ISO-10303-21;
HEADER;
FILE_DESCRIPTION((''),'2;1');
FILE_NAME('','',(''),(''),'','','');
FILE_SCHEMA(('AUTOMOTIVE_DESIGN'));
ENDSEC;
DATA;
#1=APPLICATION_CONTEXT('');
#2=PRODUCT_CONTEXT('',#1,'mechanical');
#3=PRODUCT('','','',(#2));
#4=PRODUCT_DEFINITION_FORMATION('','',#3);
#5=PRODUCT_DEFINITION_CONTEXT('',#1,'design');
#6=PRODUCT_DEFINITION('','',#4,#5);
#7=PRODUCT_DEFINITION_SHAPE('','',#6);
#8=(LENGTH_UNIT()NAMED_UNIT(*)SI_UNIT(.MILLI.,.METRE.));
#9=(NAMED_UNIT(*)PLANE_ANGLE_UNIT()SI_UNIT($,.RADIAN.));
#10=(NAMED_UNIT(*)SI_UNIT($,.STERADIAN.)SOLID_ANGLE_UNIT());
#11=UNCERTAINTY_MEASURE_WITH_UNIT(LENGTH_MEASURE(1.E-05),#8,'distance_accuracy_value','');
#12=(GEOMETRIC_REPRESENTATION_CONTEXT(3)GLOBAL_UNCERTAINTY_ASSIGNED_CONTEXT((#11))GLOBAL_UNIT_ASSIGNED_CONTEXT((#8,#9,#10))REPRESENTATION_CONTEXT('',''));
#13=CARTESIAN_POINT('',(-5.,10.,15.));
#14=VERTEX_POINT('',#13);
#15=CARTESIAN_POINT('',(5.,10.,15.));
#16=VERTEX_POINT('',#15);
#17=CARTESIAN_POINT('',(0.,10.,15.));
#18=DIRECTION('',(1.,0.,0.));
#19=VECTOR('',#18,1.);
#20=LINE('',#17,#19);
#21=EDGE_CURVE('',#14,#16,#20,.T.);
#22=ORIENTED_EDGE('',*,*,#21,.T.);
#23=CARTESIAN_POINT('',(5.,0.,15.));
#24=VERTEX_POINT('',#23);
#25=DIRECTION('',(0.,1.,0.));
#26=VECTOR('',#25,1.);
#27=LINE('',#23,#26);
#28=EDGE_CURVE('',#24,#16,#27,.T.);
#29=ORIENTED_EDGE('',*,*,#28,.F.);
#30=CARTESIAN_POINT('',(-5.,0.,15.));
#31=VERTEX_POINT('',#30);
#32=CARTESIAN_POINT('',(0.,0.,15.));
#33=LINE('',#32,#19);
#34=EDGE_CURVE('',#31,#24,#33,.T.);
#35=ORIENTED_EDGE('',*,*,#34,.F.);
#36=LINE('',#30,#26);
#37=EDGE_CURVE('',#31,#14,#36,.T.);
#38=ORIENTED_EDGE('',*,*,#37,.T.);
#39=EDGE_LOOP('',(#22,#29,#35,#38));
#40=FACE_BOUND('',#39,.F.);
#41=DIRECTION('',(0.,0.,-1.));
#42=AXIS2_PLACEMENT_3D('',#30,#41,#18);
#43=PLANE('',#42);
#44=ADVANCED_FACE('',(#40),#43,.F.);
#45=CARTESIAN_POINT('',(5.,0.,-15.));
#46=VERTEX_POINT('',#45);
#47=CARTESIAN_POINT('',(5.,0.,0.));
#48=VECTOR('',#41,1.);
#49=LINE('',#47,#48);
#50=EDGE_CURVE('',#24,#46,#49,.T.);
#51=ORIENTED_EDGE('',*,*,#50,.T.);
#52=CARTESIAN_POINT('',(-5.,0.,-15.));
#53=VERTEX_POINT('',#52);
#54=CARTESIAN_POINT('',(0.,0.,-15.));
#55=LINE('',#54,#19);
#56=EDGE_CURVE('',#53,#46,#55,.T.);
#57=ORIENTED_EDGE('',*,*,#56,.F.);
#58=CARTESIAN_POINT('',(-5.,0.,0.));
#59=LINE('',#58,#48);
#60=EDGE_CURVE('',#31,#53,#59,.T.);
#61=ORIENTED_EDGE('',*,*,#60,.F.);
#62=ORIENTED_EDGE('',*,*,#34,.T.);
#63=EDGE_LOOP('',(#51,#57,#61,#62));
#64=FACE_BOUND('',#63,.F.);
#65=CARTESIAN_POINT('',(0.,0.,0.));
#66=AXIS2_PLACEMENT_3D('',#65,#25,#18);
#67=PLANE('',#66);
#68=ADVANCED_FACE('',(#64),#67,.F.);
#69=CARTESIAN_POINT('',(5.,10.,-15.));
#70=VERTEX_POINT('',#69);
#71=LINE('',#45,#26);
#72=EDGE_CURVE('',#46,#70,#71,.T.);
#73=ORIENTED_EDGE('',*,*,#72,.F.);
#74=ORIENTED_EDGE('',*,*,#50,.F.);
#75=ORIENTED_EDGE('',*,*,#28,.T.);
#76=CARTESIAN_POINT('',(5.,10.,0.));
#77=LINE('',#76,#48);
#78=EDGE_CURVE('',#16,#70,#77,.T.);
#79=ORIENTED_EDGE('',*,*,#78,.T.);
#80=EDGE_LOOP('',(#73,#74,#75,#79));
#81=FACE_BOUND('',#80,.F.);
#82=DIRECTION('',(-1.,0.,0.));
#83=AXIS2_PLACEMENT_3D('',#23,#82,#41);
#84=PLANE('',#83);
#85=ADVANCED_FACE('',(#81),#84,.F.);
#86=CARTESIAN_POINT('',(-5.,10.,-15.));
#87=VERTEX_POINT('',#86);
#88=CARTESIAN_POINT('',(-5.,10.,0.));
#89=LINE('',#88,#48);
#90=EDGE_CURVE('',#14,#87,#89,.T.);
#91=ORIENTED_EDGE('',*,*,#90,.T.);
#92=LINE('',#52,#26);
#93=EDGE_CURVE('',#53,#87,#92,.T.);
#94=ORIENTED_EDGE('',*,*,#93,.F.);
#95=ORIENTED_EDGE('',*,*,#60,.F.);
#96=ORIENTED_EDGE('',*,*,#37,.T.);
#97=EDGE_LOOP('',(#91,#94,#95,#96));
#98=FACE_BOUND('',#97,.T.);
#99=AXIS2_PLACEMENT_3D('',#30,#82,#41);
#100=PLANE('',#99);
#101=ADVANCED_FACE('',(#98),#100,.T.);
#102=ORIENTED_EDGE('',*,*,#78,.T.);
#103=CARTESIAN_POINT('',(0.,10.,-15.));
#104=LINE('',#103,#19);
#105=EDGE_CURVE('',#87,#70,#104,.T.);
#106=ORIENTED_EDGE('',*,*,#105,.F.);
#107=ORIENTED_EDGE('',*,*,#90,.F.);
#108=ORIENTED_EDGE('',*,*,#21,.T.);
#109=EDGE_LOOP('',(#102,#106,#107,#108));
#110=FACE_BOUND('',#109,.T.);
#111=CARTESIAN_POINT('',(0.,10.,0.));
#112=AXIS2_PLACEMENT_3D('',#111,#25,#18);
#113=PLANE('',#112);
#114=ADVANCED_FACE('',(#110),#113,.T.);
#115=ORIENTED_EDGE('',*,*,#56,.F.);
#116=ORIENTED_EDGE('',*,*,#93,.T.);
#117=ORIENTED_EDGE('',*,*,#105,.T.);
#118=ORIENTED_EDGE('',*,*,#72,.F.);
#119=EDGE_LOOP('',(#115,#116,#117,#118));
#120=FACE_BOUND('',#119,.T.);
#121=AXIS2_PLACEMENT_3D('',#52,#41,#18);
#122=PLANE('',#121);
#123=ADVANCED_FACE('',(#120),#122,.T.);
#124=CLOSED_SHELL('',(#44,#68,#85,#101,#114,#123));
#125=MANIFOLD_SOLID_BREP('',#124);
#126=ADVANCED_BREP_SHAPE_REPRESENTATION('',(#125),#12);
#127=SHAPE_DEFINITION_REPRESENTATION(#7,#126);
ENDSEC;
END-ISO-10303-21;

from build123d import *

# Parameters (mm, degrees)
SKETCH1_W           = 10
SKETCH1_H           = 30
BOSS_EXTRUDE1_DEPTH = 10


with BuildPart() as part:
    # Sketch1 → Boss-Extrude1 (new body)
    with BuildSketch(Plane(origin=(0, 0, 0), x_dir=(1, 0, 0), z_dir=(0, 1, 0))):
        Rectangle(SKETCH1_W, SKETCH1_H)
    extrude(amount=BOSS_EXTRUDE1_DEPTH)


solid = part.part
